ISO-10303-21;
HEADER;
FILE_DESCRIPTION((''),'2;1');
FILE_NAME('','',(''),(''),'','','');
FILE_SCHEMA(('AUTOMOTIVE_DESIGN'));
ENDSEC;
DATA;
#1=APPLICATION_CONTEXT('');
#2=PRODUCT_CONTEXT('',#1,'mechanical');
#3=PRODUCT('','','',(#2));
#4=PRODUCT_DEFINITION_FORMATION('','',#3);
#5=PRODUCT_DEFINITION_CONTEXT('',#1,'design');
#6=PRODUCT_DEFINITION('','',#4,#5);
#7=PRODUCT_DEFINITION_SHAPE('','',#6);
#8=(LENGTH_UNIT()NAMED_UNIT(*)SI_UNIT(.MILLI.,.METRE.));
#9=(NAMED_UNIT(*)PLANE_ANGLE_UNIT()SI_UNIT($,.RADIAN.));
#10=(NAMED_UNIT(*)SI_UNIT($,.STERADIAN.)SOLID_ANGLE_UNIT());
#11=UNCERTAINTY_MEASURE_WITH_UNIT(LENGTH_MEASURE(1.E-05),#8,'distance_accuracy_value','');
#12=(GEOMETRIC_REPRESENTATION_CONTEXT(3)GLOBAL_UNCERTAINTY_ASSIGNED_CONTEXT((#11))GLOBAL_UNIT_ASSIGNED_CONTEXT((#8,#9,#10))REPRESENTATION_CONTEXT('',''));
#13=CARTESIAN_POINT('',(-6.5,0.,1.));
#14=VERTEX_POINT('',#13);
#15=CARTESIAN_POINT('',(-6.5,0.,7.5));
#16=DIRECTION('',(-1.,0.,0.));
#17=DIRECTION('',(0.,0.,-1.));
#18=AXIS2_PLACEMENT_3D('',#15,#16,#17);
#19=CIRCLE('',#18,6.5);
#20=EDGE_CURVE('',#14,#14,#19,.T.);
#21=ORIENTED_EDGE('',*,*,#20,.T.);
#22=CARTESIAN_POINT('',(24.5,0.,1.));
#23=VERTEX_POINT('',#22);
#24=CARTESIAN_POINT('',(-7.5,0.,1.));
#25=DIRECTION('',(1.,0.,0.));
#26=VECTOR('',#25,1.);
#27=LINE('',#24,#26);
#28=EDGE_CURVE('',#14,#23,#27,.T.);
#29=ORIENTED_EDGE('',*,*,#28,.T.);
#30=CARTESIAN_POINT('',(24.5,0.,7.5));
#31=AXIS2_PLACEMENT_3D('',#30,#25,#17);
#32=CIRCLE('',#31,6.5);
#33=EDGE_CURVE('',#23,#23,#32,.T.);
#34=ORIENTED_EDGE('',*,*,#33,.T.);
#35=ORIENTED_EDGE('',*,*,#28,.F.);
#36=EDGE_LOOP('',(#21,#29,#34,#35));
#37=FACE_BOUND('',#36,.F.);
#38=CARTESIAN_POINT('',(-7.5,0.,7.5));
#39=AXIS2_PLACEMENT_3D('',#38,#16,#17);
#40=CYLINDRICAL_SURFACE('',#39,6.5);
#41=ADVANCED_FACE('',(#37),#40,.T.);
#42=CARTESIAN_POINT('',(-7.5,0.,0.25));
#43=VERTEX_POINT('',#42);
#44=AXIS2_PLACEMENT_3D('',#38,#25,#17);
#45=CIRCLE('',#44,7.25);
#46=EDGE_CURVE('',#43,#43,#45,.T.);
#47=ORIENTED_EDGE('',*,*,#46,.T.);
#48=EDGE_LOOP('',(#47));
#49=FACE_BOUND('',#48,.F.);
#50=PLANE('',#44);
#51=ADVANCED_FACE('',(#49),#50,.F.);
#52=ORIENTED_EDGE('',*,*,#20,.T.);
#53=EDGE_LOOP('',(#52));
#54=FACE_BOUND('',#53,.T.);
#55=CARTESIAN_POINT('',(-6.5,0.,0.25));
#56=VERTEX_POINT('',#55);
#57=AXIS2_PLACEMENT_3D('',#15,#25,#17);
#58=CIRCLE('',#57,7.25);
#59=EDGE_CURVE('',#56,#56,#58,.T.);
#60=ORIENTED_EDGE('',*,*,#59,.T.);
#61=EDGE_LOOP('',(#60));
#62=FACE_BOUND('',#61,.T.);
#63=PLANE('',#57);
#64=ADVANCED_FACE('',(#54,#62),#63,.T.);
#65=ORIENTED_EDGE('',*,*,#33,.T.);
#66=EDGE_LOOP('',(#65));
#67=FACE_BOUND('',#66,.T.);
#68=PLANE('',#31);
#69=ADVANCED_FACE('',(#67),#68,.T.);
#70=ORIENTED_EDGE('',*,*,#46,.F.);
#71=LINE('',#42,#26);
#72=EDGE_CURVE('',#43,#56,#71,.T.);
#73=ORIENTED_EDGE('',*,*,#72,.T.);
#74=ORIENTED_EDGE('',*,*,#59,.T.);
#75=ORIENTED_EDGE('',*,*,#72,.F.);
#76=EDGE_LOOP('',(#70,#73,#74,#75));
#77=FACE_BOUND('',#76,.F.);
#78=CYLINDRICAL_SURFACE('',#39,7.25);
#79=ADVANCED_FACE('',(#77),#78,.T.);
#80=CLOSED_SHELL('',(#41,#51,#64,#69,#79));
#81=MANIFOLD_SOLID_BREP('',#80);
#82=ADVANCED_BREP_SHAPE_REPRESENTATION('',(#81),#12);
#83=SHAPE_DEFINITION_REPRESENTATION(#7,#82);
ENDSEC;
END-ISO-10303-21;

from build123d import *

# Parameters (mm, degrees)
CYLINDER001_R          = 7.25
CYLINDER001_DEPTH      = 1
CYLINDER_R             = 6.5
CYLINDER_DEPTH         = 32
FUSION_PLACEMENT_ANGLE = 90


with BuildPart() as cylinder001:
    # Cylinder001 → Cylinder001 (new body)
    with BuildSketch(Plane.XY):
        Circle(CYLINDER001_R)
    extrude(amount=CYLINDER001_DEPTH)


with BuildPart() as lasermoduletemplate:
    # Cylinder → Cylinder (new body)
    with BuildSketch(Plane.XY):
        Circle(CYLINDER_R)
    extrude(amount=CYLINDER_DEPTH)

    # Fusion: union Cylinder001
    add(cylinder001.part)


with BuildPart() as lasermoduletemplate_1:
    # Fusion placement: moved
    add(lasermoduletemplate.part.moved(Location((-7.5, 0, 7.5))).rotate(Axis((-7.5, 0, 7.5), (0, 1, 0)), FUSION_PLACEMENT_ANGLE))


solid = lasermoduletemplate_1.part
